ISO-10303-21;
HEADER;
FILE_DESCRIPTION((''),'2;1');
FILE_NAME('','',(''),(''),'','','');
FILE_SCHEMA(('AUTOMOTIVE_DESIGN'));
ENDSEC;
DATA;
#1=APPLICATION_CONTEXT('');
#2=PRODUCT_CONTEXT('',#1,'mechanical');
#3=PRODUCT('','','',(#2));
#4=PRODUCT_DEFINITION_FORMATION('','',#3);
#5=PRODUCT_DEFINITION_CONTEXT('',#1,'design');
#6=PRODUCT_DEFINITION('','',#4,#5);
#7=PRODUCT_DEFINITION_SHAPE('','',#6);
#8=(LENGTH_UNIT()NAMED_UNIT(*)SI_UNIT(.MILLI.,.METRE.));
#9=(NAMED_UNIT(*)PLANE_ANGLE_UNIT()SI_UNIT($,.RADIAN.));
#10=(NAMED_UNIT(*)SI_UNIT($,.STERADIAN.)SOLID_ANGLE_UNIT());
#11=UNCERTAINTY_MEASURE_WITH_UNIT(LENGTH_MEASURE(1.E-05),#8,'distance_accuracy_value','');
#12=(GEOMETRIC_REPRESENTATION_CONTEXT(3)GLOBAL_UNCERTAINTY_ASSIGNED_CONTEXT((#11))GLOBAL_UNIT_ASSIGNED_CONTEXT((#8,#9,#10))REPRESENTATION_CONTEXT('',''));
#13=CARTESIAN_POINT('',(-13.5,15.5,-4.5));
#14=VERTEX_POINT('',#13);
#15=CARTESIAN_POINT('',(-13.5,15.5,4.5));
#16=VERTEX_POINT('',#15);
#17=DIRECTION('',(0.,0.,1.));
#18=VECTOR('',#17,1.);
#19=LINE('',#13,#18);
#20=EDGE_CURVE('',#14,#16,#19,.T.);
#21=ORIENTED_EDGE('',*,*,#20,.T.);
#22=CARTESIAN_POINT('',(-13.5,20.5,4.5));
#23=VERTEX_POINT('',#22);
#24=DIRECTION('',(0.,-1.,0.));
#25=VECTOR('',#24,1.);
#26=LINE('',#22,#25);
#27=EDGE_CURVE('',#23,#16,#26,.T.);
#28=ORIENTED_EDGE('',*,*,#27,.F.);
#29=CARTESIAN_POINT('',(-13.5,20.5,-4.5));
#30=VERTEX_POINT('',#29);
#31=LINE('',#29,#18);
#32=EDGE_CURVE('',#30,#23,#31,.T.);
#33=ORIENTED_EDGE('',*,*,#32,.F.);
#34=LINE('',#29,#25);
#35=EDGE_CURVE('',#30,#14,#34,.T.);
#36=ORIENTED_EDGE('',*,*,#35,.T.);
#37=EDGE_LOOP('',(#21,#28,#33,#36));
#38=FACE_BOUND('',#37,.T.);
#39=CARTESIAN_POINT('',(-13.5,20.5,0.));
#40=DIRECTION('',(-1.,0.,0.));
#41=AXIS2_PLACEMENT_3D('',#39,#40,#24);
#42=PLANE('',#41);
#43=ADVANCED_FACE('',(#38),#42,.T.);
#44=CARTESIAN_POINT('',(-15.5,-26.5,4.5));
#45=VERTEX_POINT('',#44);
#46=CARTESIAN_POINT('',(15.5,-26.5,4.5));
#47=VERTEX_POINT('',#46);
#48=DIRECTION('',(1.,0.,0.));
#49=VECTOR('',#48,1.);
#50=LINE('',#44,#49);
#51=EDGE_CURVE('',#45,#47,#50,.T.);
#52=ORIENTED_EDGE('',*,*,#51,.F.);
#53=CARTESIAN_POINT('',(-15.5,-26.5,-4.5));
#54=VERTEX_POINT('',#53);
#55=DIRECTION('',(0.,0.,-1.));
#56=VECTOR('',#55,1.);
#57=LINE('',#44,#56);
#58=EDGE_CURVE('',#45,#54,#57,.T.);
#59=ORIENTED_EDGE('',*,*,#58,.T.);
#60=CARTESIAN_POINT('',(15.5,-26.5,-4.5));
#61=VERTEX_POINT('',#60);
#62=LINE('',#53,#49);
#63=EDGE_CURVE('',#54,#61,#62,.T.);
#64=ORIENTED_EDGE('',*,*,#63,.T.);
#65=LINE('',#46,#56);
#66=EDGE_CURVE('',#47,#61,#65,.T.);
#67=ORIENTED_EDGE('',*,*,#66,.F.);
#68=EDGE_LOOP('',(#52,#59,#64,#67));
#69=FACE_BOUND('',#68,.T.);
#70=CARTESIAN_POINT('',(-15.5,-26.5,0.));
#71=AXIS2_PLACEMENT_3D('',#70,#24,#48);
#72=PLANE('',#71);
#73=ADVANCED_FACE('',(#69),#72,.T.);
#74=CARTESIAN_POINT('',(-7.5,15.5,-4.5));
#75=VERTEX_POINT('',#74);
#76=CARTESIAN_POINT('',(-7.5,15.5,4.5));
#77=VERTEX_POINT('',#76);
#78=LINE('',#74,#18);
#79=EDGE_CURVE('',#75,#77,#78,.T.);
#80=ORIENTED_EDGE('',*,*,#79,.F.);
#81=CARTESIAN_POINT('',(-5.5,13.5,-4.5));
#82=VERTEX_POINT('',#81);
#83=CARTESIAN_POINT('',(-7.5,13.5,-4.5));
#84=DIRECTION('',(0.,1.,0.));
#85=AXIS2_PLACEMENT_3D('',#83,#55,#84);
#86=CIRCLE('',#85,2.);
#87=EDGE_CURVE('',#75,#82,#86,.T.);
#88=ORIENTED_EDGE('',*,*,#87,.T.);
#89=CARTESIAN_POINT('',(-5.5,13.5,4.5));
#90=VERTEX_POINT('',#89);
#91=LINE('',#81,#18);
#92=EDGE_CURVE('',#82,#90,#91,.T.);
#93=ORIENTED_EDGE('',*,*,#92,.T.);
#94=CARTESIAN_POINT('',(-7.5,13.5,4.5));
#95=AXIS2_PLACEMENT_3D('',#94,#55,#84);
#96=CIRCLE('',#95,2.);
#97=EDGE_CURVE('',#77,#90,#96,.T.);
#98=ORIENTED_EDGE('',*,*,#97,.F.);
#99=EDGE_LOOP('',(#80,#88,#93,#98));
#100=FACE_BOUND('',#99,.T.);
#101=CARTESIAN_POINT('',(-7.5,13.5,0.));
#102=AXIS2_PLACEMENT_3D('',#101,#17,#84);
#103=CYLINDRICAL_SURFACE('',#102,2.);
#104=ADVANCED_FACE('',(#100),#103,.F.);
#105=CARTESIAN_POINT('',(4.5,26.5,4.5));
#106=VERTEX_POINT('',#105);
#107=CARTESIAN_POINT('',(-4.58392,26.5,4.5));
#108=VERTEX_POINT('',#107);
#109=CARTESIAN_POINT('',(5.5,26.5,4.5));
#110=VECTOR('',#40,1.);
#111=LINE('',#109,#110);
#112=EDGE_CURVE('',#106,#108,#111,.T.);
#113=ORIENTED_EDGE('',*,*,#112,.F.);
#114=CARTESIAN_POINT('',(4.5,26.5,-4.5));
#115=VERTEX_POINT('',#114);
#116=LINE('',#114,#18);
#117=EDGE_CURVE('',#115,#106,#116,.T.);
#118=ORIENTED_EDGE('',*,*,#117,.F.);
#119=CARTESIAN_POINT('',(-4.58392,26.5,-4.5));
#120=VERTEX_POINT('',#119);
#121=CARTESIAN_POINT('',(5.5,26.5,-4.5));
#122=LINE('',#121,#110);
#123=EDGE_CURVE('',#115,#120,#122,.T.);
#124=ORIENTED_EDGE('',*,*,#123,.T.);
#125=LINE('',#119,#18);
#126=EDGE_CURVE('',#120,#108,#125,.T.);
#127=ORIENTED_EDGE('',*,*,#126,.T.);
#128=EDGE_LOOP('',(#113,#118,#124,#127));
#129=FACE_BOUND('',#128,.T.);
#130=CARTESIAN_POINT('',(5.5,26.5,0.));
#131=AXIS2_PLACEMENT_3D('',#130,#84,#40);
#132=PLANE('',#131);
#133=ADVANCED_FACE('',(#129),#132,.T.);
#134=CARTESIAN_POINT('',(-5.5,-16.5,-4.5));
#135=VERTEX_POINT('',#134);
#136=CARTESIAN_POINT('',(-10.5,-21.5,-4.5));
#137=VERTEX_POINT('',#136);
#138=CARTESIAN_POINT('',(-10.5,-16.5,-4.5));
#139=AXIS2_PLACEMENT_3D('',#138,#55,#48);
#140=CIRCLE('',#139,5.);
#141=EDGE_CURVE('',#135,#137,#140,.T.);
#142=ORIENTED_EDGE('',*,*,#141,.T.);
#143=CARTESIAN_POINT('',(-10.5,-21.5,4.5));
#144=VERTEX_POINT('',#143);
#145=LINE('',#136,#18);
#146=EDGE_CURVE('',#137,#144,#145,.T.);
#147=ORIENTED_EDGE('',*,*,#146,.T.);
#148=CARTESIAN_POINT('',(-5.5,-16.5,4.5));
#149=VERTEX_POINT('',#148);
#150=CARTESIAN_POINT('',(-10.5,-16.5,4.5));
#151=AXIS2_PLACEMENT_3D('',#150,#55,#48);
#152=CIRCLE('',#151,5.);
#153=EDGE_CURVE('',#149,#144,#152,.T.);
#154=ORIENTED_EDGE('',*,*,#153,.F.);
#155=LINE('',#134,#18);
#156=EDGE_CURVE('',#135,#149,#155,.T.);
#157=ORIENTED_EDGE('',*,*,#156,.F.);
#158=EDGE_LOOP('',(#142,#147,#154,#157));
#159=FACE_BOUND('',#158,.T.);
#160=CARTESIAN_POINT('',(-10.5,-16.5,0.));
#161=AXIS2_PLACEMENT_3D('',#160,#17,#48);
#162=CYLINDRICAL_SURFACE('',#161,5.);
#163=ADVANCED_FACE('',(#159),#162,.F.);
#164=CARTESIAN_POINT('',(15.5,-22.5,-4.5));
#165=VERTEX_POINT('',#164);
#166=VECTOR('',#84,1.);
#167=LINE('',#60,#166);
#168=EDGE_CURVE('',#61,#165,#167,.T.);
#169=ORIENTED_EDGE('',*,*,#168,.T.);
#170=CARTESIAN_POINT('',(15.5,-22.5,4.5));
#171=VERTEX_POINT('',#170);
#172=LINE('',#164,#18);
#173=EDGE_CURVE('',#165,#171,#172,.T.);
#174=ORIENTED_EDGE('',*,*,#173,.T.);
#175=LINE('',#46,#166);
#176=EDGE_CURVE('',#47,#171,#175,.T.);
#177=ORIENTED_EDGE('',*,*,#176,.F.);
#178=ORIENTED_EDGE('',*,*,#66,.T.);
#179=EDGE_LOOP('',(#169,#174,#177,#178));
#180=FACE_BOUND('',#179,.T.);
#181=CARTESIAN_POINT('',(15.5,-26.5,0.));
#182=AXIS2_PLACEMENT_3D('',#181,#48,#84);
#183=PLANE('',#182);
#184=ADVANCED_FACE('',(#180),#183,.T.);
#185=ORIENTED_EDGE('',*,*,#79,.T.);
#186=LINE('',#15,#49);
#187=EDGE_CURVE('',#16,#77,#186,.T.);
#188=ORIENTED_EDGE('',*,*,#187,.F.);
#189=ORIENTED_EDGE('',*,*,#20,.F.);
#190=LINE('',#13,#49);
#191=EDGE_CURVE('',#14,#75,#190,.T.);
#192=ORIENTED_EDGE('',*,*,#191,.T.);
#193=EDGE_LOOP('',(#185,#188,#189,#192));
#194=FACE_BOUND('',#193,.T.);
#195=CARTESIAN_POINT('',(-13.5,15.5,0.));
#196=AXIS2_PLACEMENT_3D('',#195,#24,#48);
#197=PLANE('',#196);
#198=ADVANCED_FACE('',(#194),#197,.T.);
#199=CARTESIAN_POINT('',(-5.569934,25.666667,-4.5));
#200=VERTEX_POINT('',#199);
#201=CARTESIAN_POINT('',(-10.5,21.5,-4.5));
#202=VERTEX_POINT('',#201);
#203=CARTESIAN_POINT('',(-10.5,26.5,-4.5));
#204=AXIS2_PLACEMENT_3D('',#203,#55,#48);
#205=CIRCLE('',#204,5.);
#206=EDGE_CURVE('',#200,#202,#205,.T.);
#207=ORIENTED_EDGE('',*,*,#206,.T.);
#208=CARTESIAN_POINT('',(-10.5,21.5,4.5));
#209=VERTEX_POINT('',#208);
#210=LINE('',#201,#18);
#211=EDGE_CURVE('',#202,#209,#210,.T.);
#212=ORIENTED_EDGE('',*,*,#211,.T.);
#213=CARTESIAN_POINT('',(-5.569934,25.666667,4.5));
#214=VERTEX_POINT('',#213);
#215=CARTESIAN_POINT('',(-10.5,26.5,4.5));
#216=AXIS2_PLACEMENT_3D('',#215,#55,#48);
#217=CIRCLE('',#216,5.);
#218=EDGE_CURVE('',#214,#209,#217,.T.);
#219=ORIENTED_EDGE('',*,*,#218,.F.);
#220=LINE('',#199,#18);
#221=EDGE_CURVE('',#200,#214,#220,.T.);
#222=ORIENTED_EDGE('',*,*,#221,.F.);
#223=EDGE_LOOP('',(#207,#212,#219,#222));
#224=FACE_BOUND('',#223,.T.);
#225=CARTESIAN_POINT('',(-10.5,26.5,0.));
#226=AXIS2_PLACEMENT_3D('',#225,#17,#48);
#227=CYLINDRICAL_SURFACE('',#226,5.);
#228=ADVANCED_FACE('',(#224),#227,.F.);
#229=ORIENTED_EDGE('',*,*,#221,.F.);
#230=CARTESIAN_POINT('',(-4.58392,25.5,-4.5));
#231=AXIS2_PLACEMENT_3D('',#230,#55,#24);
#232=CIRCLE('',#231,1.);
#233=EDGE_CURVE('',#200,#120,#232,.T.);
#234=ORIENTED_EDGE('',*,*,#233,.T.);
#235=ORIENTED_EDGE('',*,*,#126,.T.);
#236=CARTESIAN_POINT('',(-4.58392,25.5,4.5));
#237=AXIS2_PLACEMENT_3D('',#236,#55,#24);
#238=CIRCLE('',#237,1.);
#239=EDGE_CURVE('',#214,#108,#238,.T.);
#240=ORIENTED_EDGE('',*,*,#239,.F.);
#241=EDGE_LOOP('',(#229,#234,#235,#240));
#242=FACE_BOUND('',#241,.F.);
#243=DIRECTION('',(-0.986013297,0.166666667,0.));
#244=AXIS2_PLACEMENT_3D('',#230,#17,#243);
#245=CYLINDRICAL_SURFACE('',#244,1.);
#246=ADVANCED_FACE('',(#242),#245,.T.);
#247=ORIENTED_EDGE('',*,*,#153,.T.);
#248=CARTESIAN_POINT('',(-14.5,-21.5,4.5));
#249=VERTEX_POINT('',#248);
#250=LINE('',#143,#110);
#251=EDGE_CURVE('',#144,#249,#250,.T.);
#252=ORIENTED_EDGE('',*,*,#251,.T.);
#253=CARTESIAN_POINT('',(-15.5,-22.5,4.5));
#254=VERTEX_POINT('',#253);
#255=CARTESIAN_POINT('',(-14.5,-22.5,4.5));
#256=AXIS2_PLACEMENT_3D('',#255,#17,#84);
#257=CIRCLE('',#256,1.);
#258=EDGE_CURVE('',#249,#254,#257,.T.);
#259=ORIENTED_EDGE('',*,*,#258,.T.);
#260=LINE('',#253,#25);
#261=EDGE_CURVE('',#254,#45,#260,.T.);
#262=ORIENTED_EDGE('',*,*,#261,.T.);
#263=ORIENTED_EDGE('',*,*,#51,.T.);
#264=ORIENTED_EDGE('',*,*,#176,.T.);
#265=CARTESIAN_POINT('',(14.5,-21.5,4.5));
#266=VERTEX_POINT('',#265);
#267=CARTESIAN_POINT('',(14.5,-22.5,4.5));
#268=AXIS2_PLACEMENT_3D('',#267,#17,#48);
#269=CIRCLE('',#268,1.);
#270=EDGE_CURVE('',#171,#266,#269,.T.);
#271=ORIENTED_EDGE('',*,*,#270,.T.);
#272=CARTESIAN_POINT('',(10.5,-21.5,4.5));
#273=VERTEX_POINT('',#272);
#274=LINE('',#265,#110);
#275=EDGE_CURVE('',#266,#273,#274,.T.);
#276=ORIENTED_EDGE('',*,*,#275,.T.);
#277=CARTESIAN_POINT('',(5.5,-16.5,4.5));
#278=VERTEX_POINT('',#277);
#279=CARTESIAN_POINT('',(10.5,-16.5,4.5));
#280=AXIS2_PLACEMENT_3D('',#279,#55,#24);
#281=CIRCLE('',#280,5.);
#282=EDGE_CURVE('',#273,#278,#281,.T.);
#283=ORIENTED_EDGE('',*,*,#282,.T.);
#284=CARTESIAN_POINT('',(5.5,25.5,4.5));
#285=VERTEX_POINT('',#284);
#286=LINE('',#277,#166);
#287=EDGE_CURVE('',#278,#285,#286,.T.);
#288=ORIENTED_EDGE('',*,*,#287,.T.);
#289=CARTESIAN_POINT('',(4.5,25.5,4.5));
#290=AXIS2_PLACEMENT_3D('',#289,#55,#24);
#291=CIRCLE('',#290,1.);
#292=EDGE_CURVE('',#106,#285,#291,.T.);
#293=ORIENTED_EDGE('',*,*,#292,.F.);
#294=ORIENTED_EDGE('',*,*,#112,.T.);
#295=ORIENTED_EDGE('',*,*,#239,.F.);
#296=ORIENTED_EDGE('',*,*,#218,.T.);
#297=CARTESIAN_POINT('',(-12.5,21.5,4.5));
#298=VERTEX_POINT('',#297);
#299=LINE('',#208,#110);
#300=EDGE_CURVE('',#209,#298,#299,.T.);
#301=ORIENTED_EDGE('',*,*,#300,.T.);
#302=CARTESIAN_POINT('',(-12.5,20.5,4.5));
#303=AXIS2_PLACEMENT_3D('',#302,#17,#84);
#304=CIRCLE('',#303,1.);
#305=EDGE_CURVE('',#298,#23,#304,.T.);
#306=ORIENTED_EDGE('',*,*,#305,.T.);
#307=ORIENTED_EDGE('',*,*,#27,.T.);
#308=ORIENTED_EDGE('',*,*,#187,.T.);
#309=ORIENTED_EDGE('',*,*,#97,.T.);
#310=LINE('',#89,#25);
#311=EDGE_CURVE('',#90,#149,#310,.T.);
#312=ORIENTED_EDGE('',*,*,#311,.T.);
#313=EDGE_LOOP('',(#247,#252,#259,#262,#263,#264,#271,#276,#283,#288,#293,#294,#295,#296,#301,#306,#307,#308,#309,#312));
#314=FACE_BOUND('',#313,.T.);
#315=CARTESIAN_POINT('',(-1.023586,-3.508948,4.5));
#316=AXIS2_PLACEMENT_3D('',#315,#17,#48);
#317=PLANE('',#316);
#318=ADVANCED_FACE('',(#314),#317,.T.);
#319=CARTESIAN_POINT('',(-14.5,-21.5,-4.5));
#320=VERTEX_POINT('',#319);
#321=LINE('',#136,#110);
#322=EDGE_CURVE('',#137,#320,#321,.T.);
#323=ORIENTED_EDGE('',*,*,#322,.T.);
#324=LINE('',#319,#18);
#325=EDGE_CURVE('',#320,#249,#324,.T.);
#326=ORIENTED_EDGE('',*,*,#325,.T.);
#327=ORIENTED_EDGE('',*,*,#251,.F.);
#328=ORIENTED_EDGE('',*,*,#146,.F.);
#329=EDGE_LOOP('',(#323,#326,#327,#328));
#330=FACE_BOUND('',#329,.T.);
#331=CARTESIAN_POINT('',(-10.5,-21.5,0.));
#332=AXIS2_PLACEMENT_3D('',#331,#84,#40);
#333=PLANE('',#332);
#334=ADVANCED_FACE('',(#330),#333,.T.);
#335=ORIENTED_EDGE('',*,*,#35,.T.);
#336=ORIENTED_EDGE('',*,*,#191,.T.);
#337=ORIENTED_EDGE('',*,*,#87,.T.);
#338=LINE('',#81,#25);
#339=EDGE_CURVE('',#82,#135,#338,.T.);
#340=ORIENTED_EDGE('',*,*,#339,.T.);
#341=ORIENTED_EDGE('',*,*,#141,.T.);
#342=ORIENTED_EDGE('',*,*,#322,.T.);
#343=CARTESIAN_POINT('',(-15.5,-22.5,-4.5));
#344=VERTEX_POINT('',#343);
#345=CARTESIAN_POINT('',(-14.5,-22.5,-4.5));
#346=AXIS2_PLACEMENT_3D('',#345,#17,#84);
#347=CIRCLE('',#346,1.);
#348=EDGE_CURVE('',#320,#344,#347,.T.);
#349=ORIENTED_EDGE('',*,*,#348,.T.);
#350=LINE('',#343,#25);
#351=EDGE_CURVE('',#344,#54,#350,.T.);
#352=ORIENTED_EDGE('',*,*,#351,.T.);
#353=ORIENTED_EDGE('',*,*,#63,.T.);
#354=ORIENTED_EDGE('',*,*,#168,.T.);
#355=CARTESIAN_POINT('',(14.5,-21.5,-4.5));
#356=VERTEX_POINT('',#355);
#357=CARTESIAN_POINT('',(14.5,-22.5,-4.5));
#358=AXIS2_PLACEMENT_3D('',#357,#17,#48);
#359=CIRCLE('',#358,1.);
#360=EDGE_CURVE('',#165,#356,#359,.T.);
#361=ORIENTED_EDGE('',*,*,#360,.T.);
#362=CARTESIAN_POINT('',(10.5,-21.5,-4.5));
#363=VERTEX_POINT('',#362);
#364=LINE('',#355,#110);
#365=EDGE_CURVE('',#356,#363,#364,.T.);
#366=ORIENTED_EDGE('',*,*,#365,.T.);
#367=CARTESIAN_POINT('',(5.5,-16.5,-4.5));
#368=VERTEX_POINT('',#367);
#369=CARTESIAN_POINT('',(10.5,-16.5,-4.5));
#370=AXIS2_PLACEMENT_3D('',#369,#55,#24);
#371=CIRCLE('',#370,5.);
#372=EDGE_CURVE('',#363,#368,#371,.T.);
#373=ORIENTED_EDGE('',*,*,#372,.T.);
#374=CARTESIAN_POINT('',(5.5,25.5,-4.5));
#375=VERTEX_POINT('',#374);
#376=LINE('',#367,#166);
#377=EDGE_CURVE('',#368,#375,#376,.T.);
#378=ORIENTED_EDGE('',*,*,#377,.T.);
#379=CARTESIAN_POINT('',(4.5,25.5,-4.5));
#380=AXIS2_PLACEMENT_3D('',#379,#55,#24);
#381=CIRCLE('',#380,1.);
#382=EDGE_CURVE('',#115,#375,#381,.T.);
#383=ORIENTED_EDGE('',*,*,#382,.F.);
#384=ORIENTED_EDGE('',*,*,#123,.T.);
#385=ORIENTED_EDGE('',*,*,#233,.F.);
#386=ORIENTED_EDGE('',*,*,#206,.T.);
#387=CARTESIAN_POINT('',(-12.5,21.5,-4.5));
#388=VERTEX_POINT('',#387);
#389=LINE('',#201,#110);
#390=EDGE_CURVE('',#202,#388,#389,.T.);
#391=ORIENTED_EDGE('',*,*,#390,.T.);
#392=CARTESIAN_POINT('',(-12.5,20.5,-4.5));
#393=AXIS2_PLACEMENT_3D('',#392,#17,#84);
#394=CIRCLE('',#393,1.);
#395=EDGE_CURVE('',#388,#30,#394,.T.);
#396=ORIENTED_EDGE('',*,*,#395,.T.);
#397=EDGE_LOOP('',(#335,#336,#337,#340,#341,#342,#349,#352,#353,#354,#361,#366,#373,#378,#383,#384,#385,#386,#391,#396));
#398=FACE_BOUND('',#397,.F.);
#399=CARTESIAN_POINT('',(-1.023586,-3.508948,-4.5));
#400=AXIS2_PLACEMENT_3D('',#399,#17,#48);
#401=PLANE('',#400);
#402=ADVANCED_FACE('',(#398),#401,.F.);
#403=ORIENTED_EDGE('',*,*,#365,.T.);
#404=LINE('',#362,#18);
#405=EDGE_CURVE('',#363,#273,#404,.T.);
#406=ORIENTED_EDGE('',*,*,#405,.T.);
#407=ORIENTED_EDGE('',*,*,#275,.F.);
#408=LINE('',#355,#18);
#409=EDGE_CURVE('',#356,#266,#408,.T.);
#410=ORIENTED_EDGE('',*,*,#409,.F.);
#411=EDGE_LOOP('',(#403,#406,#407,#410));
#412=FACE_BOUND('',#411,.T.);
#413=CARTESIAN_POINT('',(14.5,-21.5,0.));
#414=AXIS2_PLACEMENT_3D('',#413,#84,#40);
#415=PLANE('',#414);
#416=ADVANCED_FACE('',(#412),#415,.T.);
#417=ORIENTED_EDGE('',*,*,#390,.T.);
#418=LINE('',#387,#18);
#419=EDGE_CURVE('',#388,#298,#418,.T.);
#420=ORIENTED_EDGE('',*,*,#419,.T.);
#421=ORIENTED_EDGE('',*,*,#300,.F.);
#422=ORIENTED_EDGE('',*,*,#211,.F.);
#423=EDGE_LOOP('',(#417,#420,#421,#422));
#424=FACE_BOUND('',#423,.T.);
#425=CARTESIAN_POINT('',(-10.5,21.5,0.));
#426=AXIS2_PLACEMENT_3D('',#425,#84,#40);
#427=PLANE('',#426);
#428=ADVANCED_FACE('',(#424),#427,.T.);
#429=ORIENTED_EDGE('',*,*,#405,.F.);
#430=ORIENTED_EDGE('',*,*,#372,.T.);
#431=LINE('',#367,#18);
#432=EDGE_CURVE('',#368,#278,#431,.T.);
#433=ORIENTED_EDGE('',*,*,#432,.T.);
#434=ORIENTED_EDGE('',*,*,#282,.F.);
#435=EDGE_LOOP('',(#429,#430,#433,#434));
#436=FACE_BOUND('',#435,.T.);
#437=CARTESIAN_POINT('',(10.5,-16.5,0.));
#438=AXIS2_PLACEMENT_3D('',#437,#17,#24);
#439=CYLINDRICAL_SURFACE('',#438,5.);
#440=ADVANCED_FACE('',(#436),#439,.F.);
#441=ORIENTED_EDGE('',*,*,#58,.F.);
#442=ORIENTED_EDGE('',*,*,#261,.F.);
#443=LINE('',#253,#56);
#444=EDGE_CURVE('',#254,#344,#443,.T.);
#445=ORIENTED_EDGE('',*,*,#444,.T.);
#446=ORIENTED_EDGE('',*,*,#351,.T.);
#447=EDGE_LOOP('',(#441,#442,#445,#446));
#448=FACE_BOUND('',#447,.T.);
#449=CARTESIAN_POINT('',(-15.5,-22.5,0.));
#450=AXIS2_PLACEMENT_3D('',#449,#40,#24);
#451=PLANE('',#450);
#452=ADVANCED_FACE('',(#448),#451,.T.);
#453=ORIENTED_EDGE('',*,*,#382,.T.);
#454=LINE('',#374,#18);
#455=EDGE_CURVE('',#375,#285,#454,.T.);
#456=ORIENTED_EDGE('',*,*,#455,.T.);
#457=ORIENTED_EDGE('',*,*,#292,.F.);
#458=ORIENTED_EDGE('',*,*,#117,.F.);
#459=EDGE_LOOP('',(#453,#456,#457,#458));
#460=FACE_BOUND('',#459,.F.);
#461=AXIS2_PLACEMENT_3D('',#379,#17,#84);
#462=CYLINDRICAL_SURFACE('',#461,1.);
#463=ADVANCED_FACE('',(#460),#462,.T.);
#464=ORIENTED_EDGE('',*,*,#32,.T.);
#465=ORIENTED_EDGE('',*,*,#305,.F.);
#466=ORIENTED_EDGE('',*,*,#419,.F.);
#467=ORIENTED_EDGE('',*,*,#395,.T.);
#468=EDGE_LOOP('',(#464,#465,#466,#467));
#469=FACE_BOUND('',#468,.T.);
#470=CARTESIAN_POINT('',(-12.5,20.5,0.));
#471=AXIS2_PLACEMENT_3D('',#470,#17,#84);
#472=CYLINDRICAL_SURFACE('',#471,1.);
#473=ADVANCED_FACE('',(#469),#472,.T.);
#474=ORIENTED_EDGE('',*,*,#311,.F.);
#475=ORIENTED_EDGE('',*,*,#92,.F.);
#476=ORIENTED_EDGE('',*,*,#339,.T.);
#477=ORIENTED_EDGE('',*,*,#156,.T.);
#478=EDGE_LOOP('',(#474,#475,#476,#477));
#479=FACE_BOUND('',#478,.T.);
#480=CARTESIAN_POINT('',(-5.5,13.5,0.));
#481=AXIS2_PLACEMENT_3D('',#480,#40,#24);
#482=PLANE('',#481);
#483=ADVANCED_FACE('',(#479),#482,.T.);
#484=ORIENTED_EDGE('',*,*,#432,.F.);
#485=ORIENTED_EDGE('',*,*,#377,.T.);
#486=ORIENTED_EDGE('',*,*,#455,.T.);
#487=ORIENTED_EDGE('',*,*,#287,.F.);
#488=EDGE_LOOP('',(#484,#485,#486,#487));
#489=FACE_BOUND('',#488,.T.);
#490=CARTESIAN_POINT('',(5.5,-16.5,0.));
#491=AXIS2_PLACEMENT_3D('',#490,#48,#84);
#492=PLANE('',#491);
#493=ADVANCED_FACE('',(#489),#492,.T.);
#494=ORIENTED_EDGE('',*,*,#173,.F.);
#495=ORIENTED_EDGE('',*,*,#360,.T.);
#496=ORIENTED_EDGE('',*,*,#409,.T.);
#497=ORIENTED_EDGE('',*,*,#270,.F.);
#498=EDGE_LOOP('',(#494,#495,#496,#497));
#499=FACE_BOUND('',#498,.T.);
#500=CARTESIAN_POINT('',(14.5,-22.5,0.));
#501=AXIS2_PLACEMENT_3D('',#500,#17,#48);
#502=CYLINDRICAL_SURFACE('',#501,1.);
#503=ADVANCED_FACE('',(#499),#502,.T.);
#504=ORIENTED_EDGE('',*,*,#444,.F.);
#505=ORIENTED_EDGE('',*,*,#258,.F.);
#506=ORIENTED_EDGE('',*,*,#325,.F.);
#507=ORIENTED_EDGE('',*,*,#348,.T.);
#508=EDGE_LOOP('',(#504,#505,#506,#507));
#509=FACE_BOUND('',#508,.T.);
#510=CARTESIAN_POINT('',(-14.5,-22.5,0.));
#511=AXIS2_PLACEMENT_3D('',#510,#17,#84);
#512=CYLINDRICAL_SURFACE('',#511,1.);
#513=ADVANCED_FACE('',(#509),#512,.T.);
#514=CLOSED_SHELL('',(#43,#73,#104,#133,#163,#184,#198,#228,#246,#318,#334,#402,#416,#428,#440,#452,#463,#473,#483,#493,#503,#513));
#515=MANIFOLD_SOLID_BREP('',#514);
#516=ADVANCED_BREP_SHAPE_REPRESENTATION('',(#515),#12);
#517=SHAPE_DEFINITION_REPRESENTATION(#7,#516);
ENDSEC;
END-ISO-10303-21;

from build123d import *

# Parameters (mm, degrees)
F1_DEPTH = 4.5
F2_R     = 1


with BuildPart() as f1:
    # F0 (on Top) → F1 (new body, symmetric)
    with BuildSketch(Plane.XY):
        with BuildLine():
            Line((-5.5, -26.5), (5.5, -26.5))
            Line((5.5, -26.5), (15.5, -26.5))
            Line((15.5, -26.5), (15.5, -22.5))
            ThreePointArc((15.5, -22.5), (15.2071067812, -21.7928932188), (14.5, -21.5))
            Line((14.5, -21.5), (10.5, -21.5))
            ThreePointArc((10.5, -21.5), (6.9644660941, -20.0355339059), (5.5, -16.5))
            Line((5.5, -16.5), (5.5, 26.5))
            Line((5.5, 26.5), (-5.5, 26.5))
            ThreePointArc((-5.5, 26.5), (-6.9644660941, 22.9644660941), (-10.5, 21.5))
            Line((-10.5, 21.5), (-12.5, 21.5))
            ThreePointArc((-12.5, 21.5), (-13.2071067812, 21.2071067812), (-13.5, 20.5))
            Line((-13.5, 20.5), (-13.5, 15.5))
            Line((-13.5, 15.5), (-7.5, 15.5))
            ThreePointArc((-7.5, 15.5), (-6.0857864376, 14.9142135624), (-5.5, 13.5))
            Line((-5.5, 13.5), (-5.5, -16.5))
            ThreePointArc((-5.5, -16.5), (-6.9644660941, -20.0355339059), (-10.5, -21.5))
            Line((-10.5, -21.5), (-14.5, -21.5))
            ThreePointArc((-14.5, -21.5), (-15.2071067812, -21.7928932188), (-15.5, -22.5))
            Line((-15.5, -22.5), (-15.5, -26.5))
            Line((-15.5, -26.5), (-5.5, -26.5))
        make_face()
    extrude(amount=F1_DEPTH, both=True)

    # F2
    f2_edges = [f1.edges().sort_by_distance(p)[0] for p in [
        (5.5, 26.5, 0),
        (-5.5, 26.5, 0),
    ]]
    fillet(f2_edges, radius=F2_R)


solid = f1.part
